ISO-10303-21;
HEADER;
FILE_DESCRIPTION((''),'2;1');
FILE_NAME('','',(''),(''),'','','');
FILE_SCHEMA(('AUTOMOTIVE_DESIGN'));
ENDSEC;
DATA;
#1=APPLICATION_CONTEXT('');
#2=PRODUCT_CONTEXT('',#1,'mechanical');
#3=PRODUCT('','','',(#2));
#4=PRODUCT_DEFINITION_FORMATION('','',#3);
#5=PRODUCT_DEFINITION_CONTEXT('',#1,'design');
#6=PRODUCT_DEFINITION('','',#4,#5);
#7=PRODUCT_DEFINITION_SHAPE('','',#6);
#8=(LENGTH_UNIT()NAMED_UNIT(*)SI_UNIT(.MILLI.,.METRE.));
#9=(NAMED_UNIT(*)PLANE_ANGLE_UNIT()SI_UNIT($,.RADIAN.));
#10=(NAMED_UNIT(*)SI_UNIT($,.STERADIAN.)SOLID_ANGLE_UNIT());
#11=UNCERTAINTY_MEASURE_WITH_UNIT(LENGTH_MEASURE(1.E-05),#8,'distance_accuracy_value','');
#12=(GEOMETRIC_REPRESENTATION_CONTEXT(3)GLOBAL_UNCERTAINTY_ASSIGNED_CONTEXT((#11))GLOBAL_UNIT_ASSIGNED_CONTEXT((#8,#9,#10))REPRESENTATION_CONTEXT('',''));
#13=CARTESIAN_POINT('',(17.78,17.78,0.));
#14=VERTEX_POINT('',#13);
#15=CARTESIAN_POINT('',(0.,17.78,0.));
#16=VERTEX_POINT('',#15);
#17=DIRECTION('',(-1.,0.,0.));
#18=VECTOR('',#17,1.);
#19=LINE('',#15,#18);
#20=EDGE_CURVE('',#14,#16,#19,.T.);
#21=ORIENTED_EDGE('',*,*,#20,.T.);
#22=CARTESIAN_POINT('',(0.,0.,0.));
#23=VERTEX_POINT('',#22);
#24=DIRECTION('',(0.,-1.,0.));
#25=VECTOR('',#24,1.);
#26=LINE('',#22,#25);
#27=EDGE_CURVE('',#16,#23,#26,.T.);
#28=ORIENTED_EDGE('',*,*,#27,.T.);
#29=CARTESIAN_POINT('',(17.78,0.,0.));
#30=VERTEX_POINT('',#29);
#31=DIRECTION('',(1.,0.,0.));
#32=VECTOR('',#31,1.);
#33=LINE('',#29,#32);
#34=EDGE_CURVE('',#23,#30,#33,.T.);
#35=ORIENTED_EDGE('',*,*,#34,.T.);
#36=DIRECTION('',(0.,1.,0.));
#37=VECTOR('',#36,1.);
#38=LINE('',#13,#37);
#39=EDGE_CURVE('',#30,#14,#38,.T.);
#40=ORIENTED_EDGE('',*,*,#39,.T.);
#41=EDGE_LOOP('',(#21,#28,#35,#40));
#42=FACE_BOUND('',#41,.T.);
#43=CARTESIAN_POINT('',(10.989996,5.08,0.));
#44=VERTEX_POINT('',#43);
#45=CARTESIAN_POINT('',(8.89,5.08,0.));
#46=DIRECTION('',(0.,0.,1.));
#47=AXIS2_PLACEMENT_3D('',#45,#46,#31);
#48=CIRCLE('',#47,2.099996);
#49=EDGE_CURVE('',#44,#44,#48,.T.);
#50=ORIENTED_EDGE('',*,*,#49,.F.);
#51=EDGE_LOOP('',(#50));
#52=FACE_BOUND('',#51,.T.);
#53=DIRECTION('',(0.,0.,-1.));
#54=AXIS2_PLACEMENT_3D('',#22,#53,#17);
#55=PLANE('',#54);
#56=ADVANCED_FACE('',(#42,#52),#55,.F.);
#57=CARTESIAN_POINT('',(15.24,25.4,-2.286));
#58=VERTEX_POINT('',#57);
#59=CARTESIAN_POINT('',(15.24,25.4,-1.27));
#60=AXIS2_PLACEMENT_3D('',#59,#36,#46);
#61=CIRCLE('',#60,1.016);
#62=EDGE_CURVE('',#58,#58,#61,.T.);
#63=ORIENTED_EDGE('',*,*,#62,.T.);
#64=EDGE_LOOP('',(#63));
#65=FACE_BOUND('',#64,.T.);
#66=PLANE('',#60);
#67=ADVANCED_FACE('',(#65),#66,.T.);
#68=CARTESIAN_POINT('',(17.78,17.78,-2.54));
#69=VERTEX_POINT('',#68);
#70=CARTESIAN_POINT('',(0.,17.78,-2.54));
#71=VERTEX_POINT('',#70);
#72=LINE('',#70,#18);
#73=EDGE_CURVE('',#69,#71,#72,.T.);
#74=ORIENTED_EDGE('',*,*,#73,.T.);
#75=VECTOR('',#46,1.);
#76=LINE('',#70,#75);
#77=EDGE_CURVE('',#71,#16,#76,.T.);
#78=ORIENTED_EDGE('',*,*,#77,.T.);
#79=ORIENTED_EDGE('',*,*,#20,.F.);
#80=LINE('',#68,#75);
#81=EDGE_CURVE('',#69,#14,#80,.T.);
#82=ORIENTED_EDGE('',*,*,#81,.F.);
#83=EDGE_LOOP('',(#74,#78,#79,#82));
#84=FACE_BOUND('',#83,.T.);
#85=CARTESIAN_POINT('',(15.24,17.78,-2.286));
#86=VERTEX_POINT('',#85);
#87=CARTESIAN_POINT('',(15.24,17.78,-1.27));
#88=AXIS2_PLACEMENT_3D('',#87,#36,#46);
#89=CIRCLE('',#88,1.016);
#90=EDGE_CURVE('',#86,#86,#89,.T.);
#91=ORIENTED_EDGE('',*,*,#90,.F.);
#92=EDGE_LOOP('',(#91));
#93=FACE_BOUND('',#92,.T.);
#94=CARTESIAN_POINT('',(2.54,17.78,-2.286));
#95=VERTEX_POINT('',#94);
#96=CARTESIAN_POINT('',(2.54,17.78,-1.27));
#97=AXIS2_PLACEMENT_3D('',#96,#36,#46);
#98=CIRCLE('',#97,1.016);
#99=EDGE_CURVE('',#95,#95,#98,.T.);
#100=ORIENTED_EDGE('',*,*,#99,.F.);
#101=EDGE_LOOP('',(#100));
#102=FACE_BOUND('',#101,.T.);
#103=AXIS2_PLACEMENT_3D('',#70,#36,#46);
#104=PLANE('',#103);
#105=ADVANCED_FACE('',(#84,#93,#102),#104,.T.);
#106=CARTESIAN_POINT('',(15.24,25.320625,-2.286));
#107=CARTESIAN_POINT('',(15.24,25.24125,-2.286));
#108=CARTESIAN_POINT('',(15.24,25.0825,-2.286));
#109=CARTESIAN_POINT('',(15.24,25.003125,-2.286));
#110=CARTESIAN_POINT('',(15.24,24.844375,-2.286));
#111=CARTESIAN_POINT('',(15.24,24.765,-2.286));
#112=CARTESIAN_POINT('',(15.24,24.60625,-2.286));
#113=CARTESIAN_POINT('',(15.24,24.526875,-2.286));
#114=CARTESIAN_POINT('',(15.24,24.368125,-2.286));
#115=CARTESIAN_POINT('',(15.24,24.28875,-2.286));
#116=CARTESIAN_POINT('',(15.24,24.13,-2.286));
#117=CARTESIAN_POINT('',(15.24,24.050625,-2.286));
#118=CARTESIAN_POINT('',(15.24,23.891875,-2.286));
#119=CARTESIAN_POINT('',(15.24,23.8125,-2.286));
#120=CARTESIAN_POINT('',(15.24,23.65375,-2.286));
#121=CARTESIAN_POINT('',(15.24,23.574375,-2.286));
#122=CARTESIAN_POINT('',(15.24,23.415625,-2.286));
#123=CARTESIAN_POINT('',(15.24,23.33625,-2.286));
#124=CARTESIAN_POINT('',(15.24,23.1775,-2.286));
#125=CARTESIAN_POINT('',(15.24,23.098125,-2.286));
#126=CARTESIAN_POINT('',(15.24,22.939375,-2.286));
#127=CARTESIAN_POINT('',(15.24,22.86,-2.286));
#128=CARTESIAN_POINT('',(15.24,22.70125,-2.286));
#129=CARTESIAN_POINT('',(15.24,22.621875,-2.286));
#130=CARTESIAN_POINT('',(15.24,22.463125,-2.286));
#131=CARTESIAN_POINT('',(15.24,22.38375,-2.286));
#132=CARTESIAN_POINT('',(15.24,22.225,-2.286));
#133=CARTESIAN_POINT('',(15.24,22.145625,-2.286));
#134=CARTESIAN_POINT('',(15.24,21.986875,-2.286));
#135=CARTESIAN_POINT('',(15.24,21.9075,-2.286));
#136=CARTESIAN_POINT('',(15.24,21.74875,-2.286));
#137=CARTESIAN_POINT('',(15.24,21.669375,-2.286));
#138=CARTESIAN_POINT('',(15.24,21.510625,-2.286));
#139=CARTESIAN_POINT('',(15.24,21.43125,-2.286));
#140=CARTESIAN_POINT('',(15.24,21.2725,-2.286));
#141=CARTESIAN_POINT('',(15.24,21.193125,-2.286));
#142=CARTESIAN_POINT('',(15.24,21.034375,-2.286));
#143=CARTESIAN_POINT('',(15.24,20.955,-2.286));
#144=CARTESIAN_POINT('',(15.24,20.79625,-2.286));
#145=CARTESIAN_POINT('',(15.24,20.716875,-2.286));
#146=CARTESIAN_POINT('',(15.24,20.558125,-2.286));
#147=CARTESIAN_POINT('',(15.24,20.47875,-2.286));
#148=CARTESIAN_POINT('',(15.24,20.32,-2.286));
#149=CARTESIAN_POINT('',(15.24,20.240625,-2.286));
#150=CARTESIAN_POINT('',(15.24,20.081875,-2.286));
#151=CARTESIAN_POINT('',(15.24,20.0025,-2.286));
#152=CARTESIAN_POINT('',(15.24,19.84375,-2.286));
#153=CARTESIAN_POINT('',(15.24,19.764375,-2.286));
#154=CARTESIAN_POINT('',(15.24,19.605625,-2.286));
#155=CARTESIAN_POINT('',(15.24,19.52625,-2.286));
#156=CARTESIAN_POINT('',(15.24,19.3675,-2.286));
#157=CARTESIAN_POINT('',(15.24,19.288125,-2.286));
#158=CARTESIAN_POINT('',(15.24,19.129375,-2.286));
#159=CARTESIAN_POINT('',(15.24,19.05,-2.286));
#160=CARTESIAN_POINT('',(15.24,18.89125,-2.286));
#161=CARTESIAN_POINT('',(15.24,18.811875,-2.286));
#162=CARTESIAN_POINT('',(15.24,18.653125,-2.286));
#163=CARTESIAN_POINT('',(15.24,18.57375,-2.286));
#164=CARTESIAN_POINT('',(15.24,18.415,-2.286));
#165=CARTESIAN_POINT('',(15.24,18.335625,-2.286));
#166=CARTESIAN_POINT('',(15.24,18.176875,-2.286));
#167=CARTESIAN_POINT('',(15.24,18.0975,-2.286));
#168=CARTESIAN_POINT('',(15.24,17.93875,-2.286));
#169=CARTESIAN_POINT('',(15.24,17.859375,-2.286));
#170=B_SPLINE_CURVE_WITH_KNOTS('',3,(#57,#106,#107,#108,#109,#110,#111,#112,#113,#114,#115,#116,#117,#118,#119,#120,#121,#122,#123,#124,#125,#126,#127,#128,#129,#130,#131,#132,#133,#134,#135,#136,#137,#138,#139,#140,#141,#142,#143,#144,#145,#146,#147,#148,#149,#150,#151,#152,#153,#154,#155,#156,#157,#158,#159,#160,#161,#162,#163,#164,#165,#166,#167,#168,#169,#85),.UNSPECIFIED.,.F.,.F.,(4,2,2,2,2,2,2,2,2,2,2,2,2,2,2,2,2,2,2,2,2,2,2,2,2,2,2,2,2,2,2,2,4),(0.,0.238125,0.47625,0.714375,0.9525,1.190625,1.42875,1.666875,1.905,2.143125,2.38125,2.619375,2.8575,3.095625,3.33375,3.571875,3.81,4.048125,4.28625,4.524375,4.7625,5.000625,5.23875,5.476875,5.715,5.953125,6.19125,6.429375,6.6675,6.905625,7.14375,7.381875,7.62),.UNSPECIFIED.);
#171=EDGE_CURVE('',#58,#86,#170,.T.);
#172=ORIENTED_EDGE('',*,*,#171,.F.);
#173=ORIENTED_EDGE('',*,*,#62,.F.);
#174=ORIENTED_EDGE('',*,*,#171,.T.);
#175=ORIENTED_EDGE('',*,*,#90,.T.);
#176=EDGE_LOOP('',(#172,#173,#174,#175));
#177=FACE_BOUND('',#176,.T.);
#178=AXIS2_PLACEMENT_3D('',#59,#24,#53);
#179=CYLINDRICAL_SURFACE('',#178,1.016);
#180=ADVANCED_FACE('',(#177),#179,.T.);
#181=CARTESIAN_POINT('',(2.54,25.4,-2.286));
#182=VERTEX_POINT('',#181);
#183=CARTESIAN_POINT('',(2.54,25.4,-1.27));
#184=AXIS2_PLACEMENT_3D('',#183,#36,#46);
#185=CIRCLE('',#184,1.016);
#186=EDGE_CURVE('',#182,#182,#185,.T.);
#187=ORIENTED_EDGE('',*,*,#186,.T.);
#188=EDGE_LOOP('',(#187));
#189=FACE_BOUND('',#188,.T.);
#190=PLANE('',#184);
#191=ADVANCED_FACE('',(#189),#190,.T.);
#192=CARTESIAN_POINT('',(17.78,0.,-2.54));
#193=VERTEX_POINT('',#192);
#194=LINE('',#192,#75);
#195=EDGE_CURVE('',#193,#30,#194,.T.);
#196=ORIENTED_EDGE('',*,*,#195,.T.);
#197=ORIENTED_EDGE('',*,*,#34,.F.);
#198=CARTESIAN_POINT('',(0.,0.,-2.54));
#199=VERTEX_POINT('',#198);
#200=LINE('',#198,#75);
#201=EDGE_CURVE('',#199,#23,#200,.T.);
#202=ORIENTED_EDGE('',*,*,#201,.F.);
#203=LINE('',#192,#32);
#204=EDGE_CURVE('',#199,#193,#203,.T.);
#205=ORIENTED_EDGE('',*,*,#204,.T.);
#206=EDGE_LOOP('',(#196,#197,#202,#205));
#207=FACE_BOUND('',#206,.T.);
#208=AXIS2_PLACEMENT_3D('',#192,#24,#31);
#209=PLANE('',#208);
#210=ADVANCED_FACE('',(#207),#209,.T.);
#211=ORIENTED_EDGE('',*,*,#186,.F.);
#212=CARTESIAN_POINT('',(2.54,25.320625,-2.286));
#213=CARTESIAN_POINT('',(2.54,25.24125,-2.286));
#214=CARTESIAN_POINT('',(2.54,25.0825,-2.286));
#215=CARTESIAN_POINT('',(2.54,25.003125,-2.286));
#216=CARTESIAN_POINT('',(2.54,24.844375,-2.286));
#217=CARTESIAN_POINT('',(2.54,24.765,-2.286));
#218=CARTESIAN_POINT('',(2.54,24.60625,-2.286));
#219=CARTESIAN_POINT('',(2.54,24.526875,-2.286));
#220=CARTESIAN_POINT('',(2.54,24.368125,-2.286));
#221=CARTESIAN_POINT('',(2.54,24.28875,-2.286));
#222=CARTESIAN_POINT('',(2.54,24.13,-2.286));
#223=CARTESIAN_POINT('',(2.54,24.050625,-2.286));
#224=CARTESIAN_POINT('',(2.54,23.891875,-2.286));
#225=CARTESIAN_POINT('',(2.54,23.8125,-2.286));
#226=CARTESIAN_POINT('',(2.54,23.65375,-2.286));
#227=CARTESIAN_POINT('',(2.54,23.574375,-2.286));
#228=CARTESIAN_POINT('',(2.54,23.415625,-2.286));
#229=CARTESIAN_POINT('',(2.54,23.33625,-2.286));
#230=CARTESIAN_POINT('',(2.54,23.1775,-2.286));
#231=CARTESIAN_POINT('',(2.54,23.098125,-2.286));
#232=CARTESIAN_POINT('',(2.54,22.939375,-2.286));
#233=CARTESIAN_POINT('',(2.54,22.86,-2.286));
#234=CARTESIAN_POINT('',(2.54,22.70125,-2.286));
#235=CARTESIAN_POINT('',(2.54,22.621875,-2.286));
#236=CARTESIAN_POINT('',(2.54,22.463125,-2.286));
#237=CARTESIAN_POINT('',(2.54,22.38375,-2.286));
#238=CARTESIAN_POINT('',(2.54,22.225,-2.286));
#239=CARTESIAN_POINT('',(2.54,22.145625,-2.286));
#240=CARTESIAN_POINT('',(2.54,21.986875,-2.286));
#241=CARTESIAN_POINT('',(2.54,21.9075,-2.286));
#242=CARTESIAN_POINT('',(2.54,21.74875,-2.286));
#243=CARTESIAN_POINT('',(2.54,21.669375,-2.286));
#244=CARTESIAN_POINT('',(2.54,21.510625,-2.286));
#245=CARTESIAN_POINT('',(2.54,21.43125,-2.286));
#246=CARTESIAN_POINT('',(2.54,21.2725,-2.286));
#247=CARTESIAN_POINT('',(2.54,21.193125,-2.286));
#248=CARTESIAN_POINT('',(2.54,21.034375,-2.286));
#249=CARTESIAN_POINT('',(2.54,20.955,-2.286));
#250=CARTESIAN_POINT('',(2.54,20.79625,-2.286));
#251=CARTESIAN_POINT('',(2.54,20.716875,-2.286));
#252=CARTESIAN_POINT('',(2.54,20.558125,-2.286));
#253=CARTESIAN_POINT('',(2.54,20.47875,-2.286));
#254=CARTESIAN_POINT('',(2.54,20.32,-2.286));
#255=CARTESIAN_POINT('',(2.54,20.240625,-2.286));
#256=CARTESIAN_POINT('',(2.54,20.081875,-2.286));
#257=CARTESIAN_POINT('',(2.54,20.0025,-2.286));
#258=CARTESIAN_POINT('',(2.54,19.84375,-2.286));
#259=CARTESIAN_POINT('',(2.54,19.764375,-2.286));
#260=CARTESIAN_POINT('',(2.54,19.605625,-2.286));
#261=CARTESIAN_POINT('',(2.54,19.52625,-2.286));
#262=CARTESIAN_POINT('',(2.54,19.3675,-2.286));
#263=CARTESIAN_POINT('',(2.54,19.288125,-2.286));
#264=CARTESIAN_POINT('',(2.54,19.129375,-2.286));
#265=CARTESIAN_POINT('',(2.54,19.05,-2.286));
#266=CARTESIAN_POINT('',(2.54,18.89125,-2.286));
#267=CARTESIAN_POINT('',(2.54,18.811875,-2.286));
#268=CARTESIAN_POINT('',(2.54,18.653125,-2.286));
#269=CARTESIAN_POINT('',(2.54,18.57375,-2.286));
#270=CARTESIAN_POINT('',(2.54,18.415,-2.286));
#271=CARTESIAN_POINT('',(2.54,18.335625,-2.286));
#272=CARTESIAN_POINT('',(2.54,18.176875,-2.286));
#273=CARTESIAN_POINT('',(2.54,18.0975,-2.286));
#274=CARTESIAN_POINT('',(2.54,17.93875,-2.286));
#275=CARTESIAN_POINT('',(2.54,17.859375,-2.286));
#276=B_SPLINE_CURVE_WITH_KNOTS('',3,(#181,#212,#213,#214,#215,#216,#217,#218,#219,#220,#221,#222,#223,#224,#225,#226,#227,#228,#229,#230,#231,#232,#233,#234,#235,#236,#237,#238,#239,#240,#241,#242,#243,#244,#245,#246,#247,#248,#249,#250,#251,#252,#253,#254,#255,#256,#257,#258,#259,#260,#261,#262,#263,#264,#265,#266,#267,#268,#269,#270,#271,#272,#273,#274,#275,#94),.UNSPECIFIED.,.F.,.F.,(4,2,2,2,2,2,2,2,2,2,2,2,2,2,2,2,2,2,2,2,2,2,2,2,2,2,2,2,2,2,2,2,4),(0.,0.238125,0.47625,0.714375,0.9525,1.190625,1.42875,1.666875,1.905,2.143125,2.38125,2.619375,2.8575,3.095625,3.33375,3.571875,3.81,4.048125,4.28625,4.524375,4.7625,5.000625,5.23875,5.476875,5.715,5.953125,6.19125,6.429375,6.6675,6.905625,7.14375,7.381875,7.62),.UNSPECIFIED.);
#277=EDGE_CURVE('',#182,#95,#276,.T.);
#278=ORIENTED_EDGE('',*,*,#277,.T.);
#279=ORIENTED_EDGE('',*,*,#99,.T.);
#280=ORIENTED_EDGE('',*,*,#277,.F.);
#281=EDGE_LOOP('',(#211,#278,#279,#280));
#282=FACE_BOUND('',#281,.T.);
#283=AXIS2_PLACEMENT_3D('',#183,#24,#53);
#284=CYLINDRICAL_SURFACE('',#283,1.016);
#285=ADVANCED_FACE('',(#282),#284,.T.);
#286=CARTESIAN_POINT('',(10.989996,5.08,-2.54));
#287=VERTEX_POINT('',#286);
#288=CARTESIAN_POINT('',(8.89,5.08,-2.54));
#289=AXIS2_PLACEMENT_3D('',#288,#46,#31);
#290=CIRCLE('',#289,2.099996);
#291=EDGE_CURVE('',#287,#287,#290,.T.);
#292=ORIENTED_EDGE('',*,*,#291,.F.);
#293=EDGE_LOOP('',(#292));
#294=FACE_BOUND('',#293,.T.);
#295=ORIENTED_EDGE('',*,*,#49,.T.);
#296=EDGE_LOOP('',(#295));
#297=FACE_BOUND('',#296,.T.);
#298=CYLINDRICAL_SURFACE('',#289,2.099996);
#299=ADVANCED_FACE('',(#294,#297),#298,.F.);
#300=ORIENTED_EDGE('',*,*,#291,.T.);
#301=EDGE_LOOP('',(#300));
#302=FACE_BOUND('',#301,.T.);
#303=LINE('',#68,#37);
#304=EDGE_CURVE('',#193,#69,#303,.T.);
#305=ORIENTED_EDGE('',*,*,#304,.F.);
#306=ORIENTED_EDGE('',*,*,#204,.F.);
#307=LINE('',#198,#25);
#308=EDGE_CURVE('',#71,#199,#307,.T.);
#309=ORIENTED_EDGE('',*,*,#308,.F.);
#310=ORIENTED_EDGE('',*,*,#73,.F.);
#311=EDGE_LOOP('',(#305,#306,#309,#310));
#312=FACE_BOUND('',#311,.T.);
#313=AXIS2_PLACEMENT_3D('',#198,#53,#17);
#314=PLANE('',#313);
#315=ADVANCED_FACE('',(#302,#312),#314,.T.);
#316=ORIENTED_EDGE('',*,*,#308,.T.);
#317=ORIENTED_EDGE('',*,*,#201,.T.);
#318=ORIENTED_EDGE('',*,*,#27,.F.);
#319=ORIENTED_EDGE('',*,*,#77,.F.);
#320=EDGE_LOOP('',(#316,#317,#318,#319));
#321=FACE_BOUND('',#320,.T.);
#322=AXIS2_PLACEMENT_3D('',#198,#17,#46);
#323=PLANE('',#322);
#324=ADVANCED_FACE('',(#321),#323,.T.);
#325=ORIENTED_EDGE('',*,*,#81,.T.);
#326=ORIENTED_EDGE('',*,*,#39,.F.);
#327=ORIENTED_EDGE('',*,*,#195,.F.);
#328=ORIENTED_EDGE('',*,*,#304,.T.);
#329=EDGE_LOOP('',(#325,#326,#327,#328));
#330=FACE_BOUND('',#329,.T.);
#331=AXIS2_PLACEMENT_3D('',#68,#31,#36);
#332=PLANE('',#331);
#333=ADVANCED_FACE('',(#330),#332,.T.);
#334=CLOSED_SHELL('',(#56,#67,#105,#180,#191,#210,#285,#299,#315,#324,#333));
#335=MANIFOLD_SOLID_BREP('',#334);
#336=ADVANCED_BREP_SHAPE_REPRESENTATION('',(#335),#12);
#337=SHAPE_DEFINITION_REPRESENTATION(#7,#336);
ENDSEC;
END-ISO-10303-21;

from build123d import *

# Parameters (mm, degrees)
SKETCH1_W           = 17.78
SKETCH1_H           = 17.78
SKETCH1_R           = 2.0999958
BOSS_EXTRUDE1_DEPTH = 2.54
SKETCH2_R           = 1.016
BOSS_EXTRUDE2_DEPTH = 7.62


with BuildPart() as part:
    # Sketch1 → Boss-Extrude1 (new body)
    with BuildSketch(Plane.XY):
        with Locations((8.89, 8.89)):
            Rectangle(SKETCH1_W, SKETCH1_H)
        with Locations((8.89, 5.08)):
            Circle(SKETCH1_R, mode=Mode.SUBTRACT)
    extrude(amount=-BOSS_EXTRUDE1_DEPTH)

    # Sketch2 → Boss-Extrude2 (add)
    with BuildSketch(Plane(origin=(0, 17.78, 0), x_dir=(1, 0, 0), z_dir=(0, 1, 0))):
        with Locations(Location((2.54, 1.27, 0), (0, 0, 90))):
            Circle(SKETCH2_R)
        with Locations(Location((15.24, 1.27, 0), (0, 0, 90))):
            Circle(SKETCH2_R)
    extrude(amount=BOSS_EXTRUDE2_DEPTH)


solid = part.part
